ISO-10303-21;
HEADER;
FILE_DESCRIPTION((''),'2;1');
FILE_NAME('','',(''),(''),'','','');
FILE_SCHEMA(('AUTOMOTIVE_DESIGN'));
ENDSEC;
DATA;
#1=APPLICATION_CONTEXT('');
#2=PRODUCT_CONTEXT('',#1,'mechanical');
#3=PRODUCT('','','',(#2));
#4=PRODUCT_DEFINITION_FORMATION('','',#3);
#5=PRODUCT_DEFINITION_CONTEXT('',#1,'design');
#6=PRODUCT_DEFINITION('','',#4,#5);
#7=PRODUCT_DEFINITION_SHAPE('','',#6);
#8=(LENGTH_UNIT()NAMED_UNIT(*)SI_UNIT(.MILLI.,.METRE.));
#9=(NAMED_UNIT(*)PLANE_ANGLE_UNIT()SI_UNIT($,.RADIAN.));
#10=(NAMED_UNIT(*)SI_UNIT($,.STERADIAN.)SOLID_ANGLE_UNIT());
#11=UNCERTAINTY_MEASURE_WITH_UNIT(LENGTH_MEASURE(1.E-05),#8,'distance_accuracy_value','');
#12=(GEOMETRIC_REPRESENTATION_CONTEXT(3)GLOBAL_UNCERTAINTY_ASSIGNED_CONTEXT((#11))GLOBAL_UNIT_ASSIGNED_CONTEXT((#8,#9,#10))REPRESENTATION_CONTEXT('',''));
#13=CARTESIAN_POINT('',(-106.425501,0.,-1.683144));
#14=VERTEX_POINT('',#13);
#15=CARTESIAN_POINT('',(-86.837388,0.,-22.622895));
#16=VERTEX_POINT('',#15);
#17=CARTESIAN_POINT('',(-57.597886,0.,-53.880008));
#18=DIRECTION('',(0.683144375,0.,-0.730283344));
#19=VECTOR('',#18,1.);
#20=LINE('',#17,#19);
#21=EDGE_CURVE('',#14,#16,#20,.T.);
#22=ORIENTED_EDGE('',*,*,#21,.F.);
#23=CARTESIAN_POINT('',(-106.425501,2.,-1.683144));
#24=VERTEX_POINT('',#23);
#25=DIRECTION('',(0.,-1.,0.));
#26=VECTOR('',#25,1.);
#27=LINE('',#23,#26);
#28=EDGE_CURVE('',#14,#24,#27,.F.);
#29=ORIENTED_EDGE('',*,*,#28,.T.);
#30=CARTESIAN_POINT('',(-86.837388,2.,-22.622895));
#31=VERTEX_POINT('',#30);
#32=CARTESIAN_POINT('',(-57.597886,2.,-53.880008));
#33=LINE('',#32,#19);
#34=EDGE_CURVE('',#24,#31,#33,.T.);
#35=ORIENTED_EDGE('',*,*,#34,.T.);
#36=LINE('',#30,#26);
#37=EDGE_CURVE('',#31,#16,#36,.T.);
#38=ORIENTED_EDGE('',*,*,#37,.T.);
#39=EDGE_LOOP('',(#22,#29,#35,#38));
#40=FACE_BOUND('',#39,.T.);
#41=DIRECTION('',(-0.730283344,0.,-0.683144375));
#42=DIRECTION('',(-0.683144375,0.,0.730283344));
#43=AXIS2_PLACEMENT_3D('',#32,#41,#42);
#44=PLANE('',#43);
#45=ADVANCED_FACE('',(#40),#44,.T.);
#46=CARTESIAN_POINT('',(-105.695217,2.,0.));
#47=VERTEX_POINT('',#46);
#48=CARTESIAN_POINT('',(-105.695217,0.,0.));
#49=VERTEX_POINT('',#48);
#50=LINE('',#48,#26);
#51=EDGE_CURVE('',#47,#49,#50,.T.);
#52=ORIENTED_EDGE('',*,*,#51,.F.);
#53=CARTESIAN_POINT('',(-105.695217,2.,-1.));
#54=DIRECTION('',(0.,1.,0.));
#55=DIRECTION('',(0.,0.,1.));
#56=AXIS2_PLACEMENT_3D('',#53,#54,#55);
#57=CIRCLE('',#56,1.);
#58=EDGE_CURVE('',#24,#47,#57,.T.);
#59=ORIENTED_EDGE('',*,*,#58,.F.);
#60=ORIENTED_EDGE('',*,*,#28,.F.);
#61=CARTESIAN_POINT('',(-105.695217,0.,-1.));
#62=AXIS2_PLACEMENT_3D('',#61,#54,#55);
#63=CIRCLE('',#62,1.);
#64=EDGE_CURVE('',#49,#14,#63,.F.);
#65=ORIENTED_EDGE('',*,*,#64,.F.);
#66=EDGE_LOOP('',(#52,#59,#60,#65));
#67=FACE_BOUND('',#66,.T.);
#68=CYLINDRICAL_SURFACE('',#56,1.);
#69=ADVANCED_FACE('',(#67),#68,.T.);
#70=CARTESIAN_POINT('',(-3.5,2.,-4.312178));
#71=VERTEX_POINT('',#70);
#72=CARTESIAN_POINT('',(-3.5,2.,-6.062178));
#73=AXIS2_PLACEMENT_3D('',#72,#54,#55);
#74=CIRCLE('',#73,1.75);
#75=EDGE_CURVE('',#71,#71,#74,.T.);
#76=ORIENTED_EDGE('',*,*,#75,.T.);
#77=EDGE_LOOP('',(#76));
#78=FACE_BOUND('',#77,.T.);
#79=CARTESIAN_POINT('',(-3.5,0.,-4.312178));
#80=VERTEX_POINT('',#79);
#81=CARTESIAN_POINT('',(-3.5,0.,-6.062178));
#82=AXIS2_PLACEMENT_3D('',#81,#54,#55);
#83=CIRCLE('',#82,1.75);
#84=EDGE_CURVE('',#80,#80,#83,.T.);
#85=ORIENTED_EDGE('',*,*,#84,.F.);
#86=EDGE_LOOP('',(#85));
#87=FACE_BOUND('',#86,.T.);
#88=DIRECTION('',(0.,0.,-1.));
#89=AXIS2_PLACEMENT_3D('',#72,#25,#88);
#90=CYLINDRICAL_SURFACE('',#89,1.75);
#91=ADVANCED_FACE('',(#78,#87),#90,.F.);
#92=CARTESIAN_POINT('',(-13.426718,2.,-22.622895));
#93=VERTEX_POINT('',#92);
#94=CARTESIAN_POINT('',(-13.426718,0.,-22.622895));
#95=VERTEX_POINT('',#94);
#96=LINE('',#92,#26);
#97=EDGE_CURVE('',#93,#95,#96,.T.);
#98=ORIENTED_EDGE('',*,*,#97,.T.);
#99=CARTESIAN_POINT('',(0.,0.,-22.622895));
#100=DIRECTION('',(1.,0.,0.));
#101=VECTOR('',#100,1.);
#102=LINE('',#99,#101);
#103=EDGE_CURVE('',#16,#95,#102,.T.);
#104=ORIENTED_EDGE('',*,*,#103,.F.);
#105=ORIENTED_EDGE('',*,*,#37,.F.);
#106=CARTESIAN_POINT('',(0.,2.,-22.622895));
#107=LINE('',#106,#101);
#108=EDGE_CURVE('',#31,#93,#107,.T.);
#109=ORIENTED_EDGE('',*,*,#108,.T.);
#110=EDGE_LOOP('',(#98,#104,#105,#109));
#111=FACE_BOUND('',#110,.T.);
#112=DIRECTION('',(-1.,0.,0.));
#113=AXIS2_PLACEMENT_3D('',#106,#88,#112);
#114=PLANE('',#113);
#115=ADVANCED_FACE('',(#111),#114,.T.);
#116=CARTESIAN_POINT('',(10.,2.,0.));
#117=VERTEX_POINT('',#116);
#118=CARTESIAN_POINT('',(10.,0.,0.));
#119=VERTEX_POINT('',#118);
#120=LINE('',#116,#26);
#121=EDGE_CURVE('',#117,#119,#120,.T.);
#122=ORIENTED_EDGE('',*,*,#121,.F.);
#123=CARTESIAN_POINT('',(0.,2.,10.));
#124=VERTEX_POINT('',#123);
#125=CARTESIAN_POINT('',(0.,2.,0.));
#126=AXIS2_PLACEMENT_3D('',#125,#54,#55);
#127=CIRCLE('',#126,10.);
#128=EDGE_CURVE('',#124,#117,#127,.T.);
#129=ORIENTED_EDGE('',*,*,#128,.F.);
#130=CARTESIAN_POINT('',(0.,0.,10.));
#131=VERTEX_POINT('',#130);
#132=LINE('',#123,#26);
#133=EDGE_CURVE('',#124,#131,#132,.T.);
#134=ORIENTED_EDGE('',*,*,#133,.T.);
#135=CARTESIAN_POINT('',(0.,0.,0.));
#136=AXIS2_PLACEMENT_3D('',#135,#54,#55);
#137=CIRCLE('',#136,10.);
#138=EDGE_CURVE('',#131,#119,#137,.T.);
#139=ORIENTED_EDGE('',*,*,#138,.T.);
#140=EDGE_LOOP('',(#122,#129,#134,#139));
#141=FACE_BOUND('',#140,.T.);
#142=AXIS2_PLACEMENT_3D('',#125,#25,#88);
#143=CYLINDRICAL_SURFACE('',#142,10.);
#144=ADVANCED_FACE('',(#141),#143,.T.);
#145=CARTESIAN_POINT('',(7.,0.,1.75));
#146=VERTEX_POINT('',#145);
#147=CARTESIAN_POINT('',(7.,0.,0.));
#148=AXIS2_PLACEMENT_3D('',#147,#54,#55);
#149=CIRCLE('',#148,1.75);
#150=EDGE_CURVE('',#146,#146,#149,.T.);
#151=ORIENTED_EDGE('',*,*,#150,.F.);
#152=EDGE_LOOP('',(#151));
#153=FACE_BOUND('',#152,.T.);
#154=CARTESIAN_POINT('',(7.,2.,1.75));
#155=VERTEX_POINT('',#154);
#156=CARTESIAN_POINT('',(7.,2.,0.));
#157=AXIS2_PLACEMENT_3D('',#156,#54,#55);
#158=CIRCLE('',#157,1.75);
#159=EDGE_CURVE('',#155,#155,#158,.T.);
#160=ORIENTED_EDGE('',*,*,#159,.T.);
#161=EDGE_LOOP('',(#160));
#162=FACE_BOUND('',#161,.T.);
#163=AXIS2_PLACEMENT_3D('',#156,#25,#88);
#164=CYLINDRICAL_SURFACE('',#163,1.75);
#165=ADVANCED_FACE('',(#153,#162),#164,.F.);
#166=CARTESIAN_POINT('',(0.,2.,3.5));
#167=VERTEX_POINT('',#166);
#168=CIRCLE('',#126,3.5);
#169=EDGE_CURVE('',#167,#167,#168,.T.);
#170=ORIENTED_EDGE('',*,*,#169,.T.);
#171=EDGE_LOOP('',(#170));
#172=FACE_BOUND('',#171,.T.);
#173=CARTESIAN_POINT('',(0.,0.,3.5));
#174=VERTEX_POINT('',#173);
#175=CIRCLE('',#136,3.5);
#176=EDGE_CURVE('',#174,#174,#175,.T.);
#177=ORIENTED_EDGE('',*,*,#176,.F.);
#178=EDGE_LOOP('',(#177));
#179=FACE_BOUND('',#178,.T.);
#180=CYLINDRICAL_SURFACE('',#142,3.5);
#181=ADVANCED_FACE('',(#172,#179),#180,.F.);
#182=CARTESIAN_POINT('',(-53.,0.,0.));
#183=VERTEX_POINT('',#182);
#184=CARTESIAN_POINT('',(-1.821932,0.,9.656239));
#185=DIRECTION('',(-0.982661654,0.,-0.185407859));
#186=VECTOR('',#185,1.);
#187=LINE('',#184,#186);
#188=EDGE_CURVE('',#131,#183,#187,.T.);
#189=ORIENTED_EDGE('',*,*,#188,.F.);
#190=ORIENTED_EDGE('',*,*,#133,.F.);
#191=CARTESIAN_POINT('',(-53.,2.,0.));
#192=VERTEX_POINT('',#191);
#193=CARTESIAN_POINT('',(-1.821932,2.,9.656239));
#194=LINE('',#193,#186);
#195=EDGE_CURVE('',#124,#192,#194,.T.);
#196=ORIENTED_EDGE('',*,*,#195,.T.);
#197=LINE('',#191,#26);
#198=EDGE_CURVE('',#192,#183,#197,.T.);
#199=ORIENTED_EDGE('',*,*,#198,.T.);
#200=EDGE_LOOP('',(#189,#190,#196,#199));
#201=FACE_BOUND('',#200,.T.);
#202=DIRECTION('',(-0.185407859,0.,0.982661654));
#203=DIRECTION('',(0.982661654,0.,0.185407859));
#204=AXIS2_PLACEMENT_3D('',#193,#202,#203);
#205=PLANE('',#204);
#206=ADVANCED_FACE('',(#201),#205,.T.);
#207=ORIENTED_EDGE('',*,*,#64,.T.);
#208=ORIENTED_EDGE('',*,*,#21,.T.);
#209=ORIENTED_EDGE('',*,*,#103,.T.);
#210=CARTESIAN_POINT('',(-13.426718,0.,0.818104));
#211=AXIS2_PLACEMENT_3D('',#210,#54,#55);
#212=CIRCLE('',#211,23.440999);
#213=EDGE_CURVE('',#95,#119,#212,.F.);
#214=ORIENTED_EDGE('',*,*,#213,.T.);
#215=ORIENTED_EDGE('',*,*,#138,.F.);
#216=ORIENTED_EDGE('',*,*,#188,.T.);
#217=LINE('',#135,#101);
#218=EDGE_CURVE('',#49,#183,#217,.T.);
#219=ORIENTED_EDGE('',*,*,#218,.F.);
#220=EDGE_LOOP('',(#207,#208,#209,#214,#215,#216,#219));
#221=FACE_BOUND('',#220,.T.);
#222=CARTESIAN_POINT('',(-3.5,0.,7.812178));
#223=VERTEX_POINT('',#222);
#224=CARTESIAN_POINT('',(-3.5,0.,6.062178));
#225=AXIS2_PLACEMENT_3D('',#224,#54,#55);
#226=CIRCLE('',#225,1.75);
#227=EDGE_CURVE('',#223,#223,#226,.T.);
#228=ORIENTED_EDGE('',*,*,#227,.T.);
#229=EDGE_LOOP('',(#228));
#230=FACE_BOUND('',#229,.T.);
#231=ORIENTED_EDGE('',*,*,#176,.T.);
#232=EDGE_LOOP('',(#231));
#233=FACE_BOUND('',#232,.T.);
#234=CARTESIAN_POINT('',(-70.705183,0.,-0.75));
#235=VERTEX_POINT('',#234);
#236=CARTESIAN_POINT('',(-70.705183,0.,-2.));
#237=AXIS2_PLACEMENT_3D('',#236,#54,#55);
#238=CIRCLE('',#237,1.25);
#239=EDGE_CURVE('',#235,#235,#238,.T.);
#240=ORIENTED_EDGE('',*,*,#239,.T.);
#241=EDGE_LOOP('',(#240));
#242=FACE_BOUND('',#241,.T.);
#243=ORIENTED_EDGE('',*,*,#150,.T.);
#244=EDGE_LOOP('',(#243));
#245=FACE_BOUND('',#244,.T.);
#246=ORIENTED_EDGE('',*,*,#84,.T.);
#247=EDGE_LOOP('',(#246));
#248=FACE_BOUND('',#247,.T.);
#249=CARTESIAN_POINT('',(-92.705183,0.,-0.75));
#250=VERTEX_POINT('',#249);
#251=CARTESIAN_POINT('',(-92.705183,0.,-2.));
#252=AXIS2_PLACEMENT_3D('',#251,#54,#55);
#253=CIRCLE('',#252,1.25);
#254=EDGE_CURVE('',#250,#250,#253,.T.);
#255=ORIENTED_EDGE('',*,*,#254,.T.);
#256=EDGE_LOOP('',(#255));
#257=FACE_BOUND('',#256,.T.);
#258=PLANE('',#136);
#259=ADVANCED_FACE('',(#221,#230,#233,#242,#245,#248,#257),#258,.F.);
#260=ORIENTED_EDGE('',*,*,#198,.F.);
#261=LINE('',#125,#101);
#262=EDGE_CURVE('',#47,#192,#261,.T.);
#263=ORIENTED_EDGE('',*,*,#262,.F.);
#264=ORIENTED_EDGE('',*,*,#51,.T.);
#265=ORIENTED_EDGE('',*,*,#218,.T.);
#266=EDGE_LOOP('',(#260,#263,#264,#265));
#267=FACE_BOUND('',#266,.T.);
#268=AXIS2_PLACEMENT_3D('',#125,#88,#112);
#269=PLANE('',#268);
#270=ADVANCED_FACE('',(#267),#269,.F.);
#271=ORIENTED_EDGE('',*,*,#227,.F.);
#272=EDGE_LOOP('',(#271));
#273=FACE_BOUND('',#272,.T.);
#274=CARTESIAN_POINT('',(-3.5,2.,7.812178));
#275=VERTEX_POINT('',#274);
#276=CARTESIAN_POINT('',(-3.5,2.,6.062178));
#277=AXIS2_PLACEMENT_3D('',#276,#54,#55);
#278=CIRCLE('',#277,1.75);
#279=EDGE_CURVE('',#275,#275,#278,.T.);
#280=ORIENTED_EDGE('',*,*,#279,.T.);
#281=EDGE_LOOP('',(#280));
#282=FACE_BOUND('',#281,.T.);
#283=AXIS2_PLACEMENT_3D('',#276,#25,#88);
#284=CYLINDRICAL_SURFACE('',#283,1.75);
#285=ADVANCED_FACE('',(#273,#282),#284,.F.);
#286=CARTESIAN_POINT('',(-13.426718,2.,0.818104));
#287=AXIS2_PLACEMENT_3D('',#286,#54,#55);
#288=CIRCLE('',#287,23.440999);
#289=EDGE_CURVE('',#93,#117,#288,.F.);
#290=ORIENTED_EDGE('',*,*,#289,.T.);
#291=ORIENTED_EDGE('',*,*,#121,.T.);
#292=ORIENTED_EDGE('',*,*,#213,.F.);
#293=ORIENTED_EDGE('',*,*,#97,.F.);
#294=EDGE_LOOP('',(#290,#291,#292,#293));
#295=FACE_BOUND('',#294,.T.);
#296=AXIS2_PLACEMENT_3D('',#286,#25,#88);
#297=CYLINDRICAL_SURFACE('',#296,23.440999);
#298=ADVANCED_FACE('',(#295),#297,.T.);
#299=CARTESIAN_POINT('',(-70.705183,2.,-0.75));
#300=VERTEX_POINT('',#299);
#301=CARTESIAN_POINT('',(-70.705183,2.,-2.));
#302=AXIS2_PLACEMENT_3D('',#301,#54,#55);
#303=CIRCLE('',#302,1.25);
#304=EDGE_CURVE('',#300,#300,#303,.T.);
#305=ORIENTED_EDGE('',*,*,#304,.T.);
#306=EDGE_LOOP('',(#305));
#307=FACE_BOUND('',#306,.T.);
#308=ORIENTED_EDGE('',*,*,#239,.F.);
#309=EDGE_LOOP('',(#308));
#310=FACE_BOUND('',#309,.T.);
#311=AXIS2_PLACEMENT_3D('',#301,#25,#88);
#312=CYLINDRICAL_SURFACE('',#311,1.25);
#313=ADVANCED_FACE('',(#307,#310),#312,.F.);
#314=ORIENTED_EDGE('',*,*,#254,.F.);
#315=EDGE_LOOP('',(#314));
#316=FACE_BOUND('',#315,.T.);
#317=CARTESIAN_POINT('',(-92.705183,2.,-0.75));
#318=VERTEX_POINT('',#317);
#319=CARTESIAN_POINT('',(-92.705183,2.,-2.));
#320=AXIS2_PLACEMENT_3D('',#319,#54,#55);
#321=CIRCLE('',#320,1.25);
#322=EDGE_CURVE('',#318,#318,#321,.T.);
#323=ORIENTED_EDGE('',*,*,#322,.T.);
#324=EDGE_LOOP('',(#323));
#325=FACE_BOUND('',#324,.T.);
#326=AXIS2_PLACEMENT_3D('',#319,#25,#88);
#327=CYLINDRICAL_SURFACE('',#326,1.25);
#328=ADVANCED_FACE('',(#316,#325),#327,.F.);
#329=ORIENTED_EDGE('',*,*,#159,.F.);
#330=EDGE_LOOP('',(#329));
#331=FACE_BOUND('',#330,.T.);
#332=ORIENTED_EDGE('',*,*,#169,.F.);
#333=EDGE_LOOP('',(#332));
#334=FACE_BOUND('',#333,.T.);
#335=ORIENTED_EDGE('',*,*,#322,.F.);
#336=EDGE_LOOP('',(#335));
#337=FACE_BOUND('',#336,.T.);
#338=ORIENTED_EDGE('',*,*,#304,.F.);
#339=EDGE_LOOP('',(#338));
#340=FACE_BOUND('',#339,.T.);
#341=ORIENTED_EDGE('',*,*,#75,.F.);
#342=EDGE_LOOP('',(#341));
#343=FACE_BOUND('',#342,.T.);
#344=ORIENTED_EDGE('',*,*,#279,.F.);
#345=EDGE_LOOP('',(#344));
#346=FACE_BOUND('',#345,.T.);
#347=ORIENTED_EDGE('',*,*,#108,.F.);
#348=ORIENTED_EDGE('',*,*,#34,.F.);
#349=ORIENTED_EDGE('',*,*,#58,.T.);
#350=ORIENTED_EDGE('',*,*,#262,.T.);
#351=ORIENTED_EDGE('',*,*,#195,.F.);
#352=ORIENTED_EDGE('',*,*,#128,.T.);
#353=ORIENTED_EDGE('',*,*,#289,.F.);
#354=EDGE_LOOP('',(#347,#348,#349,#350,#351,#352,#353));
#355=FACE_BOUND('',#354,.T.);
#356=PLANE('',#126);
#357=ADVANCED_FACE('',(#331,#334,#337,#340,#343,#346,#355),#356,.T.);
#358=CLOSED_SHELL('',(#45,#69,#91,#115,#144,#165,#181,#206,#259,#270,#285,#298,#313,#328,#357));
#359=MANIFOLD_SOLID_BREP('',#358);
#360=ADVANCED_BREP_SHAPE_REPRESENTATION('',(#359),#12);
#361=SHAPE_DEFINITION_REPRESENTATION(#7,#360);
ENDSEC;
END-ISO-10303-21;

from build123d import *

# Parameters (mm, degrees)
SKETCH1_R           = 3.5
SKETCH1_R_2         = 1.25
SKETCH1_R_3         = 1.75
BOSS_EXTRUDE1_DEPTH = 2
FILLET_1_R          = 1


with BuildPart() as part:
    # Sketch1 → Boss-Extrude1 (new body)
    with BuildSketch(Plane(origin=(0, 0, 0), x_dir=(1, 0, 0), z_dir=(0, 1, 0))):
        with BuildLine():
            Line((-13.426718388, 22.622894631), (-86.83738777, 22.622894631))
            Line((-86.83738777, 22.622894631), (-108, 0))
            Line((-108, 0), (-53, 0))
            Line((-53, 0), (0, -10))
            ThreePointArc((0, -10), (7.071067812, -7.071067812), (10, 0))
            ThreePointArc((10, 0), (2.856758636, 16.043947959), (-13.426718388, 22.622894631))
        make_face()
        Circle(SKETCH1_R, mode=Mode.SUBTRACT)
        with Locations((-92.705183178, 2)):
            Circle(SKETCH1_R_2, mode=Mode.SUBTRACT)
        with Locations((-70.705183178, 2)):
            Circle(SKETCH1_R_2, mode=Mode.SUBTRACT)
        with Locations((-3.5, 6.062177826)):
            Circle(SKETCH1_R_3, mode=Mode.SUBTRACT)
        with Locations((7, 0)):
            Circle(SKETCH1_R_3, mode=Mode.SUBTRACT)
        with Locations((-3.5, -6.062177826)):
            Circle(SKETCH1_R_3, mode=Mode.SUBTRACT)
    extrude(amount=BOSS_EXTRUDE1_DEPTH)

    # Скругление1
    fillet_1_edges = [part.edges().sort_by_distance(p)[0] for p in [
        (-108, 1, 0),
    ]]
    fillet(fillet_1_edges, radius=FILLET_1_R)


solid = part.part
